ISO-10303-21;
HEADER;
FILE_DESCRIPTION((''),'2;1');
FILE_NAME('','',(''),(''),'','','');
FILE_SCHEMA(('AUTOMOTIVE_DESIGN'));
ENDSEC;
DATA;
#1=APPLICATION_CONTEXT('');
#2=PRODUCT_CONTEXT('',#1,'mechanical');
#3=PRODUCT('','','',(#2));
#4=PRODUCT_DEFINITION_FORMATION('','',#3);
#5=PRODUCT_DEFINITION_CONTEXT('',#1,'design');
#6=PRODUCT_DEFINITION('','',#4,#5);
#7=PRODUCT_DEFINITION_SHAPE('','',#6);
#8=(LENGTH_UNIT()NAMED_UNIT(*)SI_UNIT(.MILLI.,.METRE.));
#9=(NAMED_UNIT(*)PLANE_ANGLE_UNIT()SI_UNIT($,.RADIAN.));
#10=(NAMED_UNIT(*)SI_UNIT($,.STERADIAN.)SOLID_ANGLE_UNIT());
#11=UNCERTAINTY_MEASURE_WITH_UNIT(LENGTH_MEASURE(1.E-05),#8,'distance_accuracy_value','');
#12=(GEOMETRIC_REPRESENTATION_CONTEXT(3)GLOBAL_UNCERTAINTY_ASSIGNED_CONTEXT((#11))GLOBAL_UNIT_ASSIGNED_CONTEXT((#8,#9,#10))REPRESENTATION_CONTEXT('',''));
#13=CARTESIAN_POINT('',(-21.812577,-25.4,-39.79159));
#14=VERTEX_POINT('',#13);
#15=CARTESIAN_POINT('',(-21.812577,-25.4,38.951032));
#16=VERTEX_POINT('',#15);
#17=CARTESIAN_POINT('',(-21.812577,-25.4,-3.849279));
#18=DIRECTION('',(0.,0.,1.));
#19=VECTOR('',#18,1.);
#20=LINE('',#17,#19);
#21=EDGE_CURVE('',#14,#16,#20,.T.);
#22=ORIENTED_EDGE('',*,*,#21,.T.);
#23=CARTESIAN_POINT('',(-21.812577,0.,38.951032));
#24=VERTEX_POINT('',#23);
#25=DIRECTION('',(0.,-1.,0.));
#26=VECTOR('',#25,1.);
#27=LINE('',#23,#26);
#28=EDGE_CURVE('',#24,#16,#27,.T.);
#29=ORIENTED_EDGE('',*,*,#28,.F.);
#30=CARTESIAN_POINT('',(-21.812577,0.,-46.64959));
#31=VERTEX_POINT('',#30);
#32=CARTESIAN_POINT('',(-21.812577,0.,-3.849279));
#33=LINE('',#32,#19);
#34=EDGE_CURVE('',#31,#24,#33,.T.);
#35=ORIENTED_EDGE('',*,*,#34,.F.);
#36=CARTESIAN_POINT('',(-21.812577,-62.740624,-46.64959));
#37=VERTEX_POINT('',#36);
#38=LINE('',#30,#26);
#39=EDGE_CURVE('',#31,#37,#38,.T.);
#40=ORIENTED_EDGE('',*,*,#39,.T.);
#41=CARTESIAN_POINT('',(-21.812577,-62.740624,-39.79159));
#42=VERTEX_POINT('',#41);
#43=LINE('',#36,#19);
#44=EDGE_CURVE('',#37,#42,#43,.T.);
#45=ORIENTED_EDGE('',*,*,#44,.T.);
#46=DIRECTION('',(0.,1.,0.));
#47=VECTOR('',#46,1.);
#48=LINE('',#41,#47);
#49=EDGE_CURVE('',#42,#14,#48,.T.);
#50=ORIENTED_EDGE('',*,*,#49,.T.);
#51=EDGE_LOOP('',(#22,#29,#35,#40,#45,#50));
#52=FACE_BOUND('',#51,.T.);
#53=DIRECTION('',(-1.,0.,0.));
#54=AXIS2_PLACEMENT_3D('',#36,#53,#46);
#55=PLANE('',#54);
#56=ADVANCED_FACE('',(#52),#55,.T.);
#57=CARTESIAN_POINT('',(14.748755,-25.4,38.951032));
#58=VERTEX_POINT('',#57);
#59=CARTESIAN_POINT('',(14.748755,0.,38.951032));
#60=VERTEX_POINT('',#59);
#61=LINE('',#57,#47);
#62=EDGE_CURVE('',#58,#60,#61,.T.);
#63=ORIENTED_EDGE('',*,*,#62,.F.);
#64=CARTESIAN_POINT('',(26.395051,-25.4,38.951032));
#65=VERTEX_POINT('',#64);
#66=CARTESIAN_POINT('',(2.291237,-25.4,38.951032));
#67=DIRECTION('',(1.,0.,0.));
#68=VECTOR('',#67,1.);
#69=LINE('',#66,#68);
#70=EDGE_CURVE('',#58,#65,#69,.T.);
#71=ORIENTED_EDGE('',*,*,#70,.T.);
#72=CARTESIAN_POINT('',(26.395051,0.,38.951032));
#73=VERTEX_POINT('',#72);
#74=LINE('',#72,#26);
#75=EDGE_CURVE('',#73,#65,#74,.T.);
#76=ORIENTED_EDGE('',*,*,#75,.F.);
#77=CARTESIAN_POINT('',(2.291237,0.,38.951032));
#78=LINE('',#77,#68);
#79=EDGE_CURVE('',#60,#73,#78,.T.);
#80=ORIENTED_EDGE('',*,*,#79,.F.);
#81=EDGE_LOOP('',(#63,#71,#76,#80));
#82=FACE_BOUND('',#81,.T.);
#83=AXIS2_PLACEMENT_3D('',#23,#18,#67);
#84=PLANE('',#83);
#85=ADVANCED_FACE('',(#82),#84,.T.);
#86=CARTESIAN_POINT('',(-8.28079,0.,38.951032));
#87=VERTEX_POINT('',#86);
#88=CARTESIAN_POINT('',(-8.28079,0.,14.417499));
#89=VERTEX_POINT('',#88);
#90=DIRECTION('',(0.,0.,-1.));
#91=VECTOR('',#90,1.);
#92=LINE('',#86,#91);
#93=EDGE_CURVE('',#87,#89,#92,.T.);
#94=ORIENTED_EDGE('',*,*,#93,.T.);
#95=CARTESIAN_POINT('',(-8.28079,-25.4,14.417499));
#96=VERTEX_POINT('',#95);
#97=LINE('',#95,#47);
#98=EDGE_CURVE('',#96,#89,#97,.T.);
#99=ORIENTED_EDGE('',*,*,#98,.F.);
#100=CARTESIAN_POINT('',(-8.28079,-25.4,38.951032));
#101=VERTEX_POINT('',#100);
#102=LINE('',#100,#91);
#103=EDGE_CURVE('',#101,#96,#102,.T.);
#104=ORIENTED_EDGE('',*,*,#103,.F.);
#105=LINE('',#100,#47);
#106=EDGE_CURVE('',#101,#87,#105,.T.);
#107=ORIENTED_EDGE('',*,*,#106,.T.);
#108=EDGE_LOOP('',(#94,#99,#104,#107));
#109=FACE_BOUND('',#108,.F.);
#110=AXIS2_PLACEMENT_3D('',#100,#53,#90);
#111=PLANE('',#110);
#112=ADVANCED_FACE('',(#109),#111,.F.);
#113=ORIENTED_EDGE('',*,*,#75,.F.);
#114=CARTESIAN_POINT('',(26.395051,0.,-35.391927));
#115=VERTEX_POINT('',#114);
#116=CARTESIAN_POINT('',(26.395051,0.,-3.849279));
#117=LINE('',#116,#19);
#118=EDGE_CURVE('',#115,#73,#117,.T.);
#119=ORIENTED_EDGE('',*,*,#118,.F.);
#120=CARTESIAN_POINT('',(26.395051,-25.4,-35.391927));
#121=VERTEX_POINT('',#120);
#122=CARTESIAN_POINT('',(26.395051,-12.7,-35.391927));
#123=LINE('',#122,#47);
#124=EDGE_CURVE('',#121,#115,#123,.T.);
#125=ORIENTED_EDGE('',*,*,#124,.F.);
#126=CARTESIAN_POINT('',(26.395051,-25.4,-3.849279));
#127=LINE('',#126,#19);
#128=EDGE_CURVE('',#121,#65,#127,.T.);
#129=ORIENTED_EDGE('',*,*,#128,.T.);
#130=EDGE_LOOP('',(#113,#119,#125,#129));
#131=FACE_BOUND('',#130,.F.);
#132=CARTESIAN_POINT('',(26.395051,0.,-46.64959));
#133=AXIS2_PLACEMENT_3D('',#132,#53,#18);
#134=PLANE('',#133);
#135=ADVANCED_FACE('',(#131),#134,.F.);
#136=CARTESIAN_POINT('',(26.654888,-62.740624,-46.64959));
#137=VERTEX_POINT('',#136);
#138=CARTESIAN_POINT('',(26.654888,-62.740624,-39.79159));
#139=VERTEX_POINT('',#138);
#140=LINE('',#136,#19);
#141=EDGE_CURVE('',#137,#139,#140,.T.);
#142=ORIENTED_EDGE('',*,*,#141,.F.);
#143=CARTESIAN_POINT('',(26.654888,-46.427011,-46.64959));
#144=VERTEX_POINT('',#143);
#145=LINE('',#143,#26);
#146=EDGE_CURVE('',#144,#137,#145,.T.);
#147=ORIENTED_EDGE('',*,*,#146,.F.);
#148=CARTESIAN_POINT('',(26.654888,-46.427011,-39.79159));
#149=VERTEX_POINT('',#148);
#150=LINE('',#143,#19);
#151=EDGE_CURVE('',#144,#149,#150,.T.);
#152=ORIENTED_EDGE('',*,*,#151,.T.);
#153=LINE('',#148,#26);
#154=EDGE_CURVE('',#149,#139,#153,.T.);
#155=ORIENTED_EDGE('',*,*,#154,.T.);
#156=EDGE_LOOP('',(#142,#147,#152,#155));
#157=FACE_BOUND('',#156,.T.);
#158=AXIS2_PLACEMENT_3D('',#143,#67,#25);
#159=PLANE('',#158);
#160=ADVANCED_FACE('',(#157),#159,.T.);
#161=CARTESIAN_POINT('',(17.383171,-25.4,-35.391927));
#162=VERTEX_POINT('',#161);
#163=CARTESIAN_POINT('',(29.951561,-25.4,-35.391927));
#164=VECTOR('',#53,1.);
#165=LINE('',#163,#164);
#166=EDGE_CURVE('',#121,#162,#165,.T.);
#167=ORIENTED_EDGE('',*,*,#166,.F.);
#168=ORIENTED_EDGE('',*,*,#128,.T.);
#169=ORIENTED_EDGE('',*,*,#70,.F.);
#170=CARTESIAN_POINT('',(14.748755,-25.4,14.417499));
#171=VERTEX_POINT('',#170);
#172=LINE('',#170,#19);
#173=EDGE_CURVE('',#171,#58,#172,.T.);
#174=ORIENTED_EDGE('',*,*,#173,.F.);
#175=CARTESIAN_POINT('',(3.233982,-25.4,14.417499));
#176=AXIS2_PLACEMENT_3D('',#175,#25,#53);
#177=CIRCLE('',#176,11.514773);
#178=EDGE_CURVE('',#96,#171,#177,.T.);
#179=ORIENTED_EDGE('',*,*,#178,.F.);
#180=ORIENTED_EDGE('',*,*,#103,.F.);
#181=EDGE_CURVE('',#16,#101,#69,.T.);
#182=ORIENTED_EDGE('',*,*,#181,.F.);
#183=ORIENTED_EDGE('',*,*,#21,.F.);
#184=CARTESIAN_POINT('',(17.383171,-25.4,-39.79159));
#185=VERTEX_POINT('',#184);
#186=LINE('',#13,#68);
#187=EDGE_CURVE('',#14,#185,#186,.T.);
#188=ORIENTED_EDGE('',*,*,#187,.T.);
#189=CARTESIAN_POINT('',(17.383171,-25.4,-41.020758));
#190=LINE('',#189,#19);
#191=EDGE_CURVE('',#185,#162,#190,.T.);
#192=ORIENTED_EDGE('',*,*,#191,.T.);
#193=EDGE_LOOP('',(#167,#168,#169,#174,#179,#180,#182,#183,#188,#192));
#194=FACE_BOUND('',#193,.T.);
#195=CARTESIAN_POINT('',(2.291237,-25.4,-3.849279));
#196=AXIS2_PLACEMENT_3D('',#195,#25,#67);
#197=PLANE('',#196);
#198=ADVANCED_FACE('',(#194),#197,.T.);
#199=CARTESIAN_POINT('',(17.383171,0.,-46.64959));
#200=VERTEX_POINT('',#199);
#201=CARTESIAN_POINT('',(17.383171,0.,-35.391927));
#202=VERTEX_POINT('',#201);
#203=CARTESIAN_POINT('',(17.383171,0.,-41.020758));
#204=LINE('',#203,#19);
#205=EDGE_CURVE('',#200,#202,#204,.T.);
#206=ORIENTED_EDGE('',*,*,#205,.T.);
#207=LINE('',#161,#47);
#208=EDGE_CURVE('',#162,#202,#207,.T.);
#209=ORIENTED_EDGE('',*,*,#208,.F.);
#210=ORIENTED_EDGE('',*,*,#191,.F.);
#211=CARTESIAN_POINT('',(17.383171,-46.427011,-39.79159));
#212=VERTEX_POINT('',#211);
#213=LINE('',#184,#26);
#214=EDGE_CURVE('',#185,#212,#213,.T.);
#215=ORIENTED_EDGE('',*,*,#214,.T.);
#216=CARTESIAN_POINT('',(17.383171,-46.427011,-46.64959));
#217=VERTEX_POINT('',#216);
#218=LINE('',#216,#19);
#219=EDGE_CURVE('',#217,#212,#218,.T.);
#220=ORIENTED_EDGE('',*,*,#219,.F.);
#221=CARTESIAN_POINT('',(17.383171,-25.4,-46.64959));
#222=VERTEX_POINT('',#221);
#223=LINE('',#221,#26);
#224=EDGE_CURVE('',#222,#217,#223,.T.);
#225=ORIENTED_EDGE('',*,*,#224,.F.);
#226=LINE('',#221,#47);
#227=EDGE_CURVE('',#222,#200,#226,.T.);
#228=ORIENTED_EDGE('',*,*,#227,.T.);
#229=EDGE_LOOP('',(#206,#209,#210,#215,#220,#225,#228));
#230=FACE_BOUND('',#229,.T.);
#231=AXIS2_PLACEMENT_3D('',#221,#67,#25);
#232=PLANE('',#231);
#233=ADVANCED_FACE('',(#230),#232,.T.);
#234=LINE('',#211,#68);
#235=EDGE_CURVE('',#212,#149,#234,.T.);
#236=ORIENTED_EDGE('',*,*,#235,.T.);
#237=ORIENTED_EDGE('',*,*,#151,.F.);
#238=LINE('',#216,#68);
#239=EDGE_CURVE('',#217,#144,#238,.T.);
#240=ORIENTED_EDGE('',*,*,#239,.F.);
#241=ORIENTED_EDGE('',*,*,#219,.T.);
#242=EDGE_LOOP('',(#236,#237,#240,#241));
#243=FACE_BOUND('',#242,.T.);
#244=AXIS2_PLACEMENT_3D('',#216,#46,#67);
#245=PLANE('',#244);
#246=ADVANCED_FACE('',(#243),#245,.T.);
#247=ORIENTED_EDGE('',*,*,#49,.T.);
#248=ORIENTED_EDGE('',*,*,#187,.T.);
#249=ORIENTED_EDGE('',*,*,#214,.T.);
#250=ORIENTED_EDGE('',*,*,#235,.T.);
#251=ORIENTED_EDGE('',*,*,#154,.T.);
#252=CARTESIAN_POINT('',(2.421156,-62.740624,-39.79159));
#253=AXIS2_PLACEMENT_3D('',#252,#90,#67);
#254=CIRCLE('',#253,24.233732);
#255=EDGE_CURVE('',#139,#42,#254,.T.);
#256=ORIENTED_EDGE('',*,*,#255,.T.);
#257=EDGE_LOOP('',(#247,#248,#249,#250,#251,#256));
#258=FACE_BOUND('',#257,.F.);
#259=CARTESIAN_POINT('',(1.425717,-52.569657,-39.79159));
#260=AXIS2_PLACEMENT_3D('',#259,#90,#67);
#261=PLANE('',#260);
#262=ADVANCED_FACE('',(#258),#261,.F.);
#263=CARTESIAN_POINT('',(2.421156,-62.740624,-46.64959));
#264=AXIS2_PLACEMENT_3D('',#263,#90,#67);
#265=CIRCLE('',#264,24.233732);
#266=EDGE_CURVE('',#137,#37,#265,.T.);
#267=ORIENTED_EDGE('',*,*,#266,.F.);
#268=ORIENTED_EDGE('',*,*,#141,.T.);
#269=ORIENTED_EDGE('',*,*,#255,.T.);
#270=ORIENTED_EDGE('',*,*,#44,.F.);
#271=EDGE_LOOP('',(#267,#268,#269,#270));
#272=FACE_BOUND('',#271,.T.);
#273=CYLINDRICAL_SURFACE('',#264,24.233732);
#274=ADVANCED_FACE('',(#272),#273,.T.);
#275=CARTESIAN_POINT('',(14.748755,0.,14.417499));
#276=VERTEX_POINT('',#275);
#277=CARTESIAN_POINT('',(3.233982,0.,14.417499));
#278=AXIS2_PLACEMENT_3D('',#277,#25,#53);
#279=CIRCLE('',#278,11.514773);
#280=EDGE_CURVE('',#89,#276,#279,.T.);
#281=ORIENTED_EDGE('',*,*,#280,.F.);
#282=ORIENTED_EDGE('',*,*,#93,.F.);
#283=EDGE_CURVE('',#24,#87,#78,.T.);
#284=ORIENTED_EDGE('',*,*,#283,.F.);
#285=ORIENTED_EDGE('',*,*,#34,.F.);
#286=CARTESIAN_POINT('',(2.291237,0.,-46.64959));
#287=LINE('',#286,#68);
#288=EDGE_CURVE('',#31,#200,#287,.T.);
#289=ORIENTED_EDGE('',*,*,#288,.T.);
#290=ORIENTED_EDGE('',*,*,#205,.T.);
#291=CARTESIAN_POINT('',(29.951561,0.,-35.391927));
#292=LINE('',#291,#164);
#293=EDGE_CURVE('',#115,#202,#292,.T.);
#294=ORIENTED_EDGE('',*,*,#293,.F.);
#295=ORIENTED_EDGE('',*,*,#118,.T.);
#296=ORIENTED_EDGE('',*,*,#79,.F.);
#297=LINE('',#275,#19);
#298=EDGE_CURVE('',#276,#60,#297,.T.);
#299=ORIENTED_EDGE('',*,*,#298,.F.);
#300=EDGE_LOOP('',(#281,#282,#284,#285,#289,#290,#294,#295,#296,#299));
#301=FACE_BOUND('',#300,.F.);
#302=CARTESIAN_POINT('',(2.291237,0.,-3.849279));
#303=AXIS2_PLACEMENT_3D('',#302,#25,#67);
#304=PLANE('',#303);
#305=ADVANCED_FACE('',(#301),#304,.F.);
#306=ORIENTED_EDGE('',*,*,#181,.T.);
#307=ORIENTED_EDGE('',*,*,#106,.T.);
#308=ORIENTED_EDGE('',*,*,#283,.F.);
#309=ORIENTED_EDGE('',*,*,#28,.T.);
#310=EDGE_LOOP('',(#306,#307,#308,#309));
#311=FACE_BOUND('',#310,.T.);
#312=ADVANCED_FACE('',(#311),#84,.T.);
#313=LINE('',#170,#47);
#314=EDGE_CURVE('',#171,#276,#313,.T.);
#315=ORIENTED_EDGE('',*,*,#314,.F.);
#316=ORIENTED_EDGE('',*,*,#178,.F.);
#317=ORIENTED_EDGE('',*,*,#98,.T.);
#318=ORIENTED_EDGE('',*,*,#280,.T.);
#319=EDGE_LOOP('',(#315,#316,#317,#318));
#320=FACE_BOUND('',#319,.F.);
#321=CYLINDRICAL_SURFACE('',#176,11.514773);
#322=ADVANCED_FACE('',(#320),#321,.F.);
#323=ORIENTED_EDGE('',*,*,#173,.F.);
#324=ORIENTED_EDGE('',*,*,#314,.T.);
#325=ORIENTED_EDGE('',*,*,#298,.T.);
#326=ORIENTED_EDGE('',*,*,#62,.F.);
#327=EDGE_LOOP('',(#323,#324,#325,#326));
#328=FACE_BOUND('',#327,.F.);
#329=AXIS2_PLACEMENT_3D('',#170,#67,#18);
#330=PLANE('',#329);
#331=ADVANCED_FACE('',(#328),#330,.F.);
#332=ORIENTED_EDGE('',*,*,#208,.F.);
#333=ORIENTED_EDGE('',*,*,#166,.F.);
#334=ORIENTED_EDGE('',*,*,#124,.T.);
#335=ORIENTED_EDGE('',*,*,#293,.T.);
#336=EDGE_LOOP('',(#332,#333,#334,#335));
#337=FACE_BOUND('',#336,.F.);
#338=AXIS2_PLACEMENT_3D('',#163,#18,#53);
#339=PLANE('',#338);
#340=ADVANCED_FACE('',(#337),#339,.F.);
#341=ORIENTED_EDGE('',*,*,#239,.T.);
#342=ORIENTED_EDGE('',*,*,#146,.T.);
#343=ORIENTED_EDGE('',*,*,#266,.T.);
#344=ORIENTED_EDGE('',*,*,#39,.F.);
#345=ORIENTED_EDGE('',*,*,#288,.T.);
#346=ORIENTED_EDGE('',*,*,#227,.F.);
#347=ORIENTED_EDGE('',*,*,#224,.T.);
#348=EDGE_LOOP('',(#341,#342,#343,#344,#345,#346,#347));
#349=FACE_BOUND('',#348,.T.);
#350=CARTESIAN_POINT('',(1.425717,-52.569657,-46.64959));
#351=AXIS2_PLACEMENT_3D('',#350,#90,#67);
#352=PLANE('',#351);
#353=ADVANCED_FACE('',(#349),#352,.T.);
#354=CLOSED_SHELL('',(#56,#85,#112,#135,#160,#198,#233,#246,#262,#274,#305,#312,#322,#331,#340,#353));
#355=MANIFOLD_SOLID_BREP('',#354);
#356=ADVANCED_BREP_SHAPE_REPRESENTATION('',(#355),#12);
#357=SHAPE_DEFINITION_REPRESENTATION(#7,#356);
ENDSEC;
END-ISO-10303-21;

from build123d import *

# Parameters (mm, degrees)
F0_W     = 48.2076276094
F0_H     = 85.6006219983
F1_DEPTH = 25.4
F3_DEPTH = 25.4
F4_W     = 10.3362295777
F4_H     = 11.2576633692
F4_W_2   = 2.2321604192
F5_DEPTH = 25.4
F7_DEPTH = 6.858


with BuildPart() as f1:
    # F0 (on Front) → F1 (new body)
    with BuildSketch(Plane.XZ):
        with Locations((2.2912370041, -3.8492791355)):
            Rectangle(F0_W, F0_H)
    extrude(amount=F1_DEPTH)

    # F2 (on face) → F3 (cut)
    with BuildSketch(Plane.XZ.offset(25.4)):
        with BuildLine():
            Line((14.7487549111, 38.9510318637), (-8.2807904109, 38.9510318637))
            Line((-8.2807904109, 38.9510318637), (-8.2807904109, 14.4174993038))
            ThreePointArc((-8.2807904109, 14.4174993038), (3.2339822501, 2.9027266428), (14.7487549111, 14.4174993038))
            Line((14.7487549111, 14.4174993038), (14.7487549111, 38.9510318637))
        make_face()
    extrude(amount=-F3_DEPTH, mode=Mode.SUBTRACT)

    # F4 (on face) → F5 (cut)
    with BuildSketch(Plane.XZ.offset(25.4)):
        with Locations((22.5512860343, -41.02075845)):
            Rectangle(F4_W, F4_H)
        with Locations((28.8354810327, -41.02075845)):
            Rectangle(F4_W_2, F4_H)
    extrude(amount=-F5_DEPTH, mode=Mode.SUBTRACT)

    # F6 (on face) → F7 (join)
    with BuildSketch(Plane(origin=(0, 0, -46.6495901346), x_dir=(1, 0, 0), z_dir=(0, 0, -1))):
        with BuildLine():
            Line((-21.8125768006, 62.740623951), (-21.8125768006, 25.4))
            Line((-21.8125768006, 25.4), (17.3831712455, 25.4))
            Line((17.3831712455, 25.4), (17.3831712455, 46.4270114899))
            Line((17.3831712455, 46.4270114899), (26.6548879445, 46.4270114899))
            Line((26.6548879445, 46.4270114899), (26.6548879445, 62.740623951))
            ThreePointArc((26.6548879445, 62.740623951), (2.4211555719, 86.9743563235), (-21.8125768006, 62.740623951))
        make_face()
    extrude(amount=-F7_DEPTH)


solid = f1.part
